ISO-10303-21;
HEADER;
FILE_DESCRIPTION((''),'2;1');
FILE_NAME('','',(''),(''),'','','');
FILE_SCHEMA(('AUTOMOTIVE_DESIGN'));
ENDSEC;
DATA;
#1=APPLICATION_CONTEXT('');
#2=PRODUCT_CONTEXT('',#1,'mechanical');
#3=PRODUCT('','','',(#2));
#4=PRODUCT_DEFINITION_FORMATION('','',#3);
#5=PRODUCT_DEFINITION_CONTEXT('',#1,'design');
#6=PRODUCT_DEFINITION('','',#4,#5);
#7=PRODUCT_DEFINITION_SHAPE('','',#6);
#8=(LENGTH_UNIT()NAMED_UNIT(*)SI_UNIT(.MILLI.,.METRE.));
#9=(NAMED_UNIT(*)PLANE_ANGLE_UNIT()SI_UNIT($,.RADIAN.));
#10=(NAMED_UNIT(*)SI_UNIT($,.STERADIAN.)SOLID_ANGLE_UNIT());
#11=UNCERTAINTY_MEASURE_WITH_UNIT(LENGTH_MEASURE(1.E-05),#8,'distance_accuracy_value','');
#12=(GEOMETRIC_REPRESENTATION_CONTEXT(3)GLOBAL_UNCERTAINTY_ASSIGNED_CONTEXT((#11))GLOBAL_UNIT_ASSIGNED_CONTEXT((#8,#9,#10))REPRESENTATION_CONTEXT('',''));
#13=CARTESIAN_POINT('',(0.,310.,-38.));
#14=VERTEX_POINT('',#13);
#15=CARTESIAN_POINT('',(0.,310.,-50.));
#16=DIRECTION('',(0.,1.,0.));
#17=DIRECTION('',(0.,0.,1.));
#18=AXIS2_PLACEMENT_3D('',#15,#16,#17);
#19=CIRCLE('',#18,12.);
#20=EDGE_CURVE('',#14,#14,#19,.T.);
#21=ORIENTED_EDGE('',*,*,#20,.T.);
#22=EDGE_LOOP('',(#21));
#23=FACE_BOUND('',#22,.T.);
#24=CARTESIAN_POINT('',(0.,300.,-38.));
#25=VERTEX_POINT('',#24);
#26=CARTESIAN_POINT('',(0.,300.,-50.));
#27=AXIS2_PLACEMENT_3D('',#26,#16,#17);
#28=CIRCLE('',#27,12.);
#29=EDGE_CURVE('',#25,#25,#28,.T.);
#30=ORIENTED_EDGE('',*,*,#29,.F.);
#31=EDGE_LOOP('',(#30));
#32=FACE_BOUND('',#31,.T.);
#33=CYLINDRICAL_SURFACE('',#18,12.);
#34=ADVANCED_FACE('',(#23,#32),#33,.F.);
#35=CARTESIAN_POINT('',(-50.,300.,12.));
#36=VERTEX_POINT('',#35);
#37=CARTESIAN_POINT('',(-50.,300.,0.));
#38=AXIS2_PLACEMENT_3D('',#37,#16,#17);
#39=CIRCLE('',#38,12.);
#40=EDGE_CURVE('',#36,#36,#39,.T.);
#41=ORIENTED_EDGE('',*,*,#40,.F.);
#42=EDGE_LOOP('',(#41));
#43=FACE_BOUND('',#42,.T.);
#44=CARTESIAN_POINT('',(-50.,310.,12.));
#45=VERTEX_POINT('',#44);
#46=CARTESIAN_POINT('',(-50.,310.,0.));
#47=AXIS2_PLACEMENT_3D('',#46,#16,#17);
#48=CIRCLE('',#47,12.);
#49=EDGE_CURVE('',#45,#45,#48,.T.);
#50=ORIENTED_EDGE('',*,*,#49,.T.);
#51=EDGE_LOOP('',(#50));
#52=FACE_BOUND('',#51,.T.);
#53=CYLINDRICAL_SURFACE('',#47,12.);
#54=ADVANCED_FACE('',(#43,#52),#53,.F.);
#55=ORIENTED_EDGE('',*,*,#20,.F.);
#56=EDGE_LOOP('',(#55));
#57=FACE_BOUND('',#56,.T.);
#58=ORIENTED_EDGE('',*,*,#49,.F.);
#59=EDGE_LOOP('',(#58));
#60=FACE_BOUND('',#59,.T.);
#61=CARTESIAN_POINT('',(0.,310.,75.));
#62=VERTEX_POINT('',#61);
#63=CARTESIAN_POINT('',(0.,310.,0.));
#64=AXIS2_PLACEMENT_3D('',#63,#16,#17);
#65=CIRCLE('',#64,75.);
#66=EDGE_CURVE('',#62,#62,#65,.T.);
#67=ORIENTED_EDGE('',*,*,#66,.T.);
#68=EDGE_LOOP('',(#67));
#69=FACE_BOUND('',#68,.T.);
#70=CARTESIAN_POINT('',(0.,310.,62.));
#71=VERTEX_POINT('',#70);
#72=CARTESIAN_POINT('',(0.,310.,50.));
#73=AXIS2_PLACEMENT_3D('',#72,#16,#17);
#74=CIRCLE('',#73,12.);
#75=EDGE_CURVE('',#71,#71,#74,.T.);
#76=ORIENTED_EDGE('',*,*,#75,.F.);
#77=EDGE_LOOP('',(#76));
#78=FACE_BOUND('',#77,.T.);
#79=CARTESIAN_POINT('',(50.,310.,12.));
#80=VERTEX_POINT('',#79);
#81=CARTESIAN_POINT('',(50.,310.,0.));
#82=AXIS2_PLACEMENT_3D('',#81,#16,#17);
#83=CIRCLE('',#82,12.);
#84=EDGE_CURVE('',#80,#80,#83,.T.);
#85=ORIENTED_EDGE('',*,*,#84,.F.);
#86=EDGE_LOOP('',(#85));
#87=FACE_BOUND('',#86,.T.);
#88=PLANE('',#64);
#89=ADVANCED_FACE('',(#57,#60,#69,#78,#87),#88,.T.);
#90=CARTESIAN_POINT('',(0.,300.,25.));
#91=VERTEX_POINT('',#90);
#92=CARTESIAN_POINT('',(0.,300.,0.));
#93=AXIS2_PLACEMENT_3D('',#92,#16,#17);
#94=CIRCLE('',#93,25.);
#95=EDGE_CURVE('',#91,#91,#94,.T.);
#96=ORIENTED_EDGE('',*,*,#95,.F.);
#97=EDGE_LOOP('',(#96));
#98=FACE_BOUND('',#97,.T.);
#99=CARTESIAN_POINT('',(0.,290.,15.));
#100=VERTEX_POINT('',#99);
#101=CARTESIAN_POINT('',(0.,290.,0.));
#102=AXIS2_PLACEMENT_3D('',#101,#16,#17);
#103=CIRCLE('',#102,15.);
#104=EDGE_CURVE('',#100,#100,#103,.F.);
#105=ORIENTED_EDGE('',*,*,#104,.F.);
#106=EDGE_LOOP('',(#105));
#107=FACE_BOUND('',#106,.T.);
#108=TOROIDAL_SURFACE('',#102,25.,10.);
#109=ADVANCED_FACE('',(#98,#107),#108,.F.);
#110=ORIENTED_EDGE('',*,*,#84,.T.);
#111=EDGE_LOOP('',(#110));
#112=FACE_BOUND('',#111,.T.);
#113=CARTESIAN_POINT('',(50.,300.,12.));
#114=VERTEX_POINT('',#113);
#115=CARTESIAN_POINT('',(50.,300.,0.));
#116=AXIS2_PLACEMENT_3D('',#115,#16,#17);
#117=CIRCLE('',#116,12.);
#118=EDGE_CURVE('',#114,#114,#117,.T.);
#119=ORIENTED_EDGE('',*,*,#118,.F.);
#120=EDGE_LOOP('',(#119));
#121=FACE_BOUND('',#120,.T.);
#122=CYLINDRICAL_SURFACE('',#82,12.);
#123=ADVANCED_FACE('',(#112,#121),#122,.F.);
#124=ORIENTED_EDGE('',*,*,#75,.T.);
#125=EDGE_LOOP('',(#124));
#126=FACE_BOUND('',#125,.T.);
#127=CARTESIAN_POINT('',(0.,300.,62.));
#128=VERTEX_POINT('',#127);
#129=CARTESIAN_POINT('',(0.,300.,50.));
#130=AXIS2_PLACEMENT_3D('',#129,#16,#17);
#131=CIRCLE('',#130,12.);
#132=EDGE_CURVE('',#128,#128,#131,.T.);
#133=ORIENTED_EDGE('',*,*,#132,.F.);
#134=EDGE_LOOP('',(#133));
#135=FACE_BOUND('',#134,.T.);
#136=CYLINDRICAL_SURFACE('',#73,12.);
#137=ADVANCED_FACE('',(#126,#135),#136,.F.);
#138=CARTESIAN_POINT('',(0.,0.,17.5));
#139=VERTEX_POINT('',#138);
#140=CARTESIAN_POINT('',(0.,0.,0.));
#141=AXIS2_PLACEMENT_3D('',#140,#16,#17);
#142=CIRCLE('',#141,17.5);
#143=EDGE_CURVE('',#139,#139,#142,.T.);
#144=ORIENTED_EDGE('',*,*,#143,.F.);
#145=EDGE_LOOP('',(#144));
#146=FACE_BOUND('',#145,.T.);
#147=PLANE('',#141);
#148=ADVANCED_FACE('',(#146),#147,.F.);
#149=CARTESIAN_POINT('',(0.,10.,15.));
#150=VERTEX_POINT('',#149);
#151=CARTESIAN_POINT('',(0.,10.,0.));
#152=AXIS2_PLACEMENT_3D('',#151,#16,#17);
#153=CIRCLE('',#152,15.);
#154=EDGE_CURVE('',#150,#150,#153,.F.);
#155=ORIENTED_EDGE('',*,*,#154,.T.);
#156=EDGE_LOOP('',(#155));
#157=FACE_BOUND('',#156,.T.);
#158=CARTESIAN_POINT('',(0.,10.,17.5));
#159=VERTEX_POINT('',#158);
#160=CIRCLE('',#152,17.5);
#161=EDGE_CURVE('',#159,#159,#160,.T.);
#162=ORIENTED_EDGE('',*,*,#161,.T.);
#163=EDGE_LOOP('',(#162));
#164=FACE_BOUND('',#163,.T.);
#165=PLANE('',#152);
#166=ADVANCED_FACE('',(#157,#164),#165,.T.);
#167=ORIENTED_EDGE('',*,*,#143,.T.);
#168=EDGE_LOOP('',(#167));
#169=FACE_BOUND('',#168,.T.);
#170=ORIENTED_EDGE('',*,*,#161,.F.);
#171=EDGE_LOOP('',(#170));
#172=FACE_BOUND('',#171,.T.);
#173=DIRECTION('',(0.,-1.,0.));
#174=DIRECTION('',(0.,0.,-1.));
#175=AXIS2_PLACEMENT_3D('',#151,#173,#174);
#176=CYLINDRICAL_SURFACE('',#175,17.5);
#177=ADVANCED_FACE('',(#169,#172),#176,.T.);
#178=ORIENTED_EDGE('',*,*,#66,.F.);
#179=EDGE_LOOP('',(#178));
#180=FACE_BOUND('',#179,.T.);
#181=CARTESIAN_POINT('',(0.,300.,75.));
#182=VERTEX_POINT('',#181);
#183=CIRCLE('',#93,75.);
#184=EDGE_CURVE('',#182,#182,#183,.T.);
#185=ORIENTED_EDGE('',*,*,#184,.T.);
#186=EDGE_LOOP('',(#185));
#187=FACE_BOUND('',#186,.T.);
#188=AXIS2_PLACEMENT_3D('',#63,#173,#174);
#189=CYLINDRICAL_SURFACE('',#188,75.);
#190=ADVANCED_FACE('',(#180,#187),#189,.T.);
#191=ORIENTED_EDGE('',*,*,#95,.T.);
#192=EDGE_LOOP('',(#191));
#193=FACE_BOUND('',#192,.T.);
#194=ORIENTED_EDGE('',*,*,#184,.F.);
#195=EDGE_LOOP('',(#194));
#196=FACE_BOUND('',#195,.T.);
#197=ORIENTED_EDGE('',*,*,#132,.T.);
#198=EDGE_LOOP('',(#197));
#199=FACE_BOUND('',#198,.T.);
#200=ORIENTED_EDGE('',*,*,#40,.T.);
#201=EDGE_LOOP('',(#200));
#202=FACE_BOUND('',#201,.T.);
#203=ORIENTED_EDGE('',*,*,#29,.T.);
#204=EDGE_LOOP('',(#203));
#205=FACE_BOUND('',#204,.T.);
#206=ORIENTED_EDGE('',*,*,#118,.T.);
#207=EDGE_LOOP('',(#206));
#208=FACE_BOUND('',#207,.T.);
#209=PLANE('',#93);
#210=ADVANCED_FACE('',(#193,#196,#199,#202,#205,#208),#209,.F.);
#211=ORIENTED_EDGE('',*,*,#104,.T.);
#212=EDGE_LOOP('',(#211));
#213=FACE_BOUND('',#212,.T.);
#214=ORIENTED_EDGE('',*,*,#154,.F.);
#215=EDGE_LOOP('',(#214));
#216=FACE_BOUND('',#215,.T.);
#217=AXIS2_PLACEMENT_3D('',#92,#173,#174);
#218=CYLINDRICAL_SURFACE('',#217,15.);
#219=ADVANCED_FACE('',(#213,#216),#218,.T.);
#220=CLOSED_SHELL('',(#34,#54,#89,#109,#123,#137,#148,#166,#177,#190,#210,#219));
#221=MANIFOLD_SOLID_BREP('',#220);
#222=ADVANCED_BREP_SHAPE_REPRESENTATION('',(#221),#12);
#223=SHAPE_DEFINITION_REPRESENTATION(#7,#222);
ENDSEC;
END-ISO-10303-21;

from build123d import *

# Parameters (mm, degrees)
SKETCH_1_R      = 17.5
EXTRUDE_1_DEPTH = 10
SKETCH_2_R      = 15
EXTRUDE_2_DEPTH = 300
SKETCH_3_R      = 75
EXTRUDE_3_DEPTH = 10
FILLET_1_R      = 10
HOLE_WIZARD_1_D = 24


with BuildPart() as part:
    # 草图1 → 凸台-拉伸1 (new body)
    with BuildSketch(Plane(origin=(0, 0, 0), x_dir=(1, 0, 0), z_dir=(0, 1, 0))):
        with Locations(Location((0, 0, 0), (0, 0, 270))):
            Circle(SKETCH_1_R)
    extrude(amount=EXTRUDE_1_DEPTH)

    # 草图2 → 凸台-拉伸2 (add)
    with BuildSketch(Plane(origin=(0, 0, 0), x_dir=(1, 0, 0), z_dir=(0, 1, 0))):
        with Locations(Location((0, 0, 0), (0, 0, 270))):
            Circle(SKETCH_2_R)
    extrude(amount=EXTRUDE_2_DEPTH)

    # 草图3 → 凸台-拉伸3 (add)
    with BuildSketch(Plane(origin=(0, 300, 0), x_dir=(1, 0, 0), z_dir=(0, 1, 0))):
        with Locations(Location((0, 0, 0), (0, 0, 270))):
            Circle(SKETCH_3_R)
    extrude(amount=EXTRUDE_3_DEPTH)

    # 圆角1
    fillet_1_edges = [part.edges().sort_by_distance(p)[0] for p in [
        (0, 300, -15),
    ]]
    fillet(fillet_1_edges, radius=FILLET_1_R)

    # 孔1 (through all)
    with Locations(Plane(origin=(0, 310, 0), x_dir=(1, 0, 0), z_dir=(0, 1, 0))):
        with Locations((0, 50), (50, 0), (0, -50), (-50, 0)):
            Hole(HOLE_WIZARD_1_D / 2)


solid = part.part
